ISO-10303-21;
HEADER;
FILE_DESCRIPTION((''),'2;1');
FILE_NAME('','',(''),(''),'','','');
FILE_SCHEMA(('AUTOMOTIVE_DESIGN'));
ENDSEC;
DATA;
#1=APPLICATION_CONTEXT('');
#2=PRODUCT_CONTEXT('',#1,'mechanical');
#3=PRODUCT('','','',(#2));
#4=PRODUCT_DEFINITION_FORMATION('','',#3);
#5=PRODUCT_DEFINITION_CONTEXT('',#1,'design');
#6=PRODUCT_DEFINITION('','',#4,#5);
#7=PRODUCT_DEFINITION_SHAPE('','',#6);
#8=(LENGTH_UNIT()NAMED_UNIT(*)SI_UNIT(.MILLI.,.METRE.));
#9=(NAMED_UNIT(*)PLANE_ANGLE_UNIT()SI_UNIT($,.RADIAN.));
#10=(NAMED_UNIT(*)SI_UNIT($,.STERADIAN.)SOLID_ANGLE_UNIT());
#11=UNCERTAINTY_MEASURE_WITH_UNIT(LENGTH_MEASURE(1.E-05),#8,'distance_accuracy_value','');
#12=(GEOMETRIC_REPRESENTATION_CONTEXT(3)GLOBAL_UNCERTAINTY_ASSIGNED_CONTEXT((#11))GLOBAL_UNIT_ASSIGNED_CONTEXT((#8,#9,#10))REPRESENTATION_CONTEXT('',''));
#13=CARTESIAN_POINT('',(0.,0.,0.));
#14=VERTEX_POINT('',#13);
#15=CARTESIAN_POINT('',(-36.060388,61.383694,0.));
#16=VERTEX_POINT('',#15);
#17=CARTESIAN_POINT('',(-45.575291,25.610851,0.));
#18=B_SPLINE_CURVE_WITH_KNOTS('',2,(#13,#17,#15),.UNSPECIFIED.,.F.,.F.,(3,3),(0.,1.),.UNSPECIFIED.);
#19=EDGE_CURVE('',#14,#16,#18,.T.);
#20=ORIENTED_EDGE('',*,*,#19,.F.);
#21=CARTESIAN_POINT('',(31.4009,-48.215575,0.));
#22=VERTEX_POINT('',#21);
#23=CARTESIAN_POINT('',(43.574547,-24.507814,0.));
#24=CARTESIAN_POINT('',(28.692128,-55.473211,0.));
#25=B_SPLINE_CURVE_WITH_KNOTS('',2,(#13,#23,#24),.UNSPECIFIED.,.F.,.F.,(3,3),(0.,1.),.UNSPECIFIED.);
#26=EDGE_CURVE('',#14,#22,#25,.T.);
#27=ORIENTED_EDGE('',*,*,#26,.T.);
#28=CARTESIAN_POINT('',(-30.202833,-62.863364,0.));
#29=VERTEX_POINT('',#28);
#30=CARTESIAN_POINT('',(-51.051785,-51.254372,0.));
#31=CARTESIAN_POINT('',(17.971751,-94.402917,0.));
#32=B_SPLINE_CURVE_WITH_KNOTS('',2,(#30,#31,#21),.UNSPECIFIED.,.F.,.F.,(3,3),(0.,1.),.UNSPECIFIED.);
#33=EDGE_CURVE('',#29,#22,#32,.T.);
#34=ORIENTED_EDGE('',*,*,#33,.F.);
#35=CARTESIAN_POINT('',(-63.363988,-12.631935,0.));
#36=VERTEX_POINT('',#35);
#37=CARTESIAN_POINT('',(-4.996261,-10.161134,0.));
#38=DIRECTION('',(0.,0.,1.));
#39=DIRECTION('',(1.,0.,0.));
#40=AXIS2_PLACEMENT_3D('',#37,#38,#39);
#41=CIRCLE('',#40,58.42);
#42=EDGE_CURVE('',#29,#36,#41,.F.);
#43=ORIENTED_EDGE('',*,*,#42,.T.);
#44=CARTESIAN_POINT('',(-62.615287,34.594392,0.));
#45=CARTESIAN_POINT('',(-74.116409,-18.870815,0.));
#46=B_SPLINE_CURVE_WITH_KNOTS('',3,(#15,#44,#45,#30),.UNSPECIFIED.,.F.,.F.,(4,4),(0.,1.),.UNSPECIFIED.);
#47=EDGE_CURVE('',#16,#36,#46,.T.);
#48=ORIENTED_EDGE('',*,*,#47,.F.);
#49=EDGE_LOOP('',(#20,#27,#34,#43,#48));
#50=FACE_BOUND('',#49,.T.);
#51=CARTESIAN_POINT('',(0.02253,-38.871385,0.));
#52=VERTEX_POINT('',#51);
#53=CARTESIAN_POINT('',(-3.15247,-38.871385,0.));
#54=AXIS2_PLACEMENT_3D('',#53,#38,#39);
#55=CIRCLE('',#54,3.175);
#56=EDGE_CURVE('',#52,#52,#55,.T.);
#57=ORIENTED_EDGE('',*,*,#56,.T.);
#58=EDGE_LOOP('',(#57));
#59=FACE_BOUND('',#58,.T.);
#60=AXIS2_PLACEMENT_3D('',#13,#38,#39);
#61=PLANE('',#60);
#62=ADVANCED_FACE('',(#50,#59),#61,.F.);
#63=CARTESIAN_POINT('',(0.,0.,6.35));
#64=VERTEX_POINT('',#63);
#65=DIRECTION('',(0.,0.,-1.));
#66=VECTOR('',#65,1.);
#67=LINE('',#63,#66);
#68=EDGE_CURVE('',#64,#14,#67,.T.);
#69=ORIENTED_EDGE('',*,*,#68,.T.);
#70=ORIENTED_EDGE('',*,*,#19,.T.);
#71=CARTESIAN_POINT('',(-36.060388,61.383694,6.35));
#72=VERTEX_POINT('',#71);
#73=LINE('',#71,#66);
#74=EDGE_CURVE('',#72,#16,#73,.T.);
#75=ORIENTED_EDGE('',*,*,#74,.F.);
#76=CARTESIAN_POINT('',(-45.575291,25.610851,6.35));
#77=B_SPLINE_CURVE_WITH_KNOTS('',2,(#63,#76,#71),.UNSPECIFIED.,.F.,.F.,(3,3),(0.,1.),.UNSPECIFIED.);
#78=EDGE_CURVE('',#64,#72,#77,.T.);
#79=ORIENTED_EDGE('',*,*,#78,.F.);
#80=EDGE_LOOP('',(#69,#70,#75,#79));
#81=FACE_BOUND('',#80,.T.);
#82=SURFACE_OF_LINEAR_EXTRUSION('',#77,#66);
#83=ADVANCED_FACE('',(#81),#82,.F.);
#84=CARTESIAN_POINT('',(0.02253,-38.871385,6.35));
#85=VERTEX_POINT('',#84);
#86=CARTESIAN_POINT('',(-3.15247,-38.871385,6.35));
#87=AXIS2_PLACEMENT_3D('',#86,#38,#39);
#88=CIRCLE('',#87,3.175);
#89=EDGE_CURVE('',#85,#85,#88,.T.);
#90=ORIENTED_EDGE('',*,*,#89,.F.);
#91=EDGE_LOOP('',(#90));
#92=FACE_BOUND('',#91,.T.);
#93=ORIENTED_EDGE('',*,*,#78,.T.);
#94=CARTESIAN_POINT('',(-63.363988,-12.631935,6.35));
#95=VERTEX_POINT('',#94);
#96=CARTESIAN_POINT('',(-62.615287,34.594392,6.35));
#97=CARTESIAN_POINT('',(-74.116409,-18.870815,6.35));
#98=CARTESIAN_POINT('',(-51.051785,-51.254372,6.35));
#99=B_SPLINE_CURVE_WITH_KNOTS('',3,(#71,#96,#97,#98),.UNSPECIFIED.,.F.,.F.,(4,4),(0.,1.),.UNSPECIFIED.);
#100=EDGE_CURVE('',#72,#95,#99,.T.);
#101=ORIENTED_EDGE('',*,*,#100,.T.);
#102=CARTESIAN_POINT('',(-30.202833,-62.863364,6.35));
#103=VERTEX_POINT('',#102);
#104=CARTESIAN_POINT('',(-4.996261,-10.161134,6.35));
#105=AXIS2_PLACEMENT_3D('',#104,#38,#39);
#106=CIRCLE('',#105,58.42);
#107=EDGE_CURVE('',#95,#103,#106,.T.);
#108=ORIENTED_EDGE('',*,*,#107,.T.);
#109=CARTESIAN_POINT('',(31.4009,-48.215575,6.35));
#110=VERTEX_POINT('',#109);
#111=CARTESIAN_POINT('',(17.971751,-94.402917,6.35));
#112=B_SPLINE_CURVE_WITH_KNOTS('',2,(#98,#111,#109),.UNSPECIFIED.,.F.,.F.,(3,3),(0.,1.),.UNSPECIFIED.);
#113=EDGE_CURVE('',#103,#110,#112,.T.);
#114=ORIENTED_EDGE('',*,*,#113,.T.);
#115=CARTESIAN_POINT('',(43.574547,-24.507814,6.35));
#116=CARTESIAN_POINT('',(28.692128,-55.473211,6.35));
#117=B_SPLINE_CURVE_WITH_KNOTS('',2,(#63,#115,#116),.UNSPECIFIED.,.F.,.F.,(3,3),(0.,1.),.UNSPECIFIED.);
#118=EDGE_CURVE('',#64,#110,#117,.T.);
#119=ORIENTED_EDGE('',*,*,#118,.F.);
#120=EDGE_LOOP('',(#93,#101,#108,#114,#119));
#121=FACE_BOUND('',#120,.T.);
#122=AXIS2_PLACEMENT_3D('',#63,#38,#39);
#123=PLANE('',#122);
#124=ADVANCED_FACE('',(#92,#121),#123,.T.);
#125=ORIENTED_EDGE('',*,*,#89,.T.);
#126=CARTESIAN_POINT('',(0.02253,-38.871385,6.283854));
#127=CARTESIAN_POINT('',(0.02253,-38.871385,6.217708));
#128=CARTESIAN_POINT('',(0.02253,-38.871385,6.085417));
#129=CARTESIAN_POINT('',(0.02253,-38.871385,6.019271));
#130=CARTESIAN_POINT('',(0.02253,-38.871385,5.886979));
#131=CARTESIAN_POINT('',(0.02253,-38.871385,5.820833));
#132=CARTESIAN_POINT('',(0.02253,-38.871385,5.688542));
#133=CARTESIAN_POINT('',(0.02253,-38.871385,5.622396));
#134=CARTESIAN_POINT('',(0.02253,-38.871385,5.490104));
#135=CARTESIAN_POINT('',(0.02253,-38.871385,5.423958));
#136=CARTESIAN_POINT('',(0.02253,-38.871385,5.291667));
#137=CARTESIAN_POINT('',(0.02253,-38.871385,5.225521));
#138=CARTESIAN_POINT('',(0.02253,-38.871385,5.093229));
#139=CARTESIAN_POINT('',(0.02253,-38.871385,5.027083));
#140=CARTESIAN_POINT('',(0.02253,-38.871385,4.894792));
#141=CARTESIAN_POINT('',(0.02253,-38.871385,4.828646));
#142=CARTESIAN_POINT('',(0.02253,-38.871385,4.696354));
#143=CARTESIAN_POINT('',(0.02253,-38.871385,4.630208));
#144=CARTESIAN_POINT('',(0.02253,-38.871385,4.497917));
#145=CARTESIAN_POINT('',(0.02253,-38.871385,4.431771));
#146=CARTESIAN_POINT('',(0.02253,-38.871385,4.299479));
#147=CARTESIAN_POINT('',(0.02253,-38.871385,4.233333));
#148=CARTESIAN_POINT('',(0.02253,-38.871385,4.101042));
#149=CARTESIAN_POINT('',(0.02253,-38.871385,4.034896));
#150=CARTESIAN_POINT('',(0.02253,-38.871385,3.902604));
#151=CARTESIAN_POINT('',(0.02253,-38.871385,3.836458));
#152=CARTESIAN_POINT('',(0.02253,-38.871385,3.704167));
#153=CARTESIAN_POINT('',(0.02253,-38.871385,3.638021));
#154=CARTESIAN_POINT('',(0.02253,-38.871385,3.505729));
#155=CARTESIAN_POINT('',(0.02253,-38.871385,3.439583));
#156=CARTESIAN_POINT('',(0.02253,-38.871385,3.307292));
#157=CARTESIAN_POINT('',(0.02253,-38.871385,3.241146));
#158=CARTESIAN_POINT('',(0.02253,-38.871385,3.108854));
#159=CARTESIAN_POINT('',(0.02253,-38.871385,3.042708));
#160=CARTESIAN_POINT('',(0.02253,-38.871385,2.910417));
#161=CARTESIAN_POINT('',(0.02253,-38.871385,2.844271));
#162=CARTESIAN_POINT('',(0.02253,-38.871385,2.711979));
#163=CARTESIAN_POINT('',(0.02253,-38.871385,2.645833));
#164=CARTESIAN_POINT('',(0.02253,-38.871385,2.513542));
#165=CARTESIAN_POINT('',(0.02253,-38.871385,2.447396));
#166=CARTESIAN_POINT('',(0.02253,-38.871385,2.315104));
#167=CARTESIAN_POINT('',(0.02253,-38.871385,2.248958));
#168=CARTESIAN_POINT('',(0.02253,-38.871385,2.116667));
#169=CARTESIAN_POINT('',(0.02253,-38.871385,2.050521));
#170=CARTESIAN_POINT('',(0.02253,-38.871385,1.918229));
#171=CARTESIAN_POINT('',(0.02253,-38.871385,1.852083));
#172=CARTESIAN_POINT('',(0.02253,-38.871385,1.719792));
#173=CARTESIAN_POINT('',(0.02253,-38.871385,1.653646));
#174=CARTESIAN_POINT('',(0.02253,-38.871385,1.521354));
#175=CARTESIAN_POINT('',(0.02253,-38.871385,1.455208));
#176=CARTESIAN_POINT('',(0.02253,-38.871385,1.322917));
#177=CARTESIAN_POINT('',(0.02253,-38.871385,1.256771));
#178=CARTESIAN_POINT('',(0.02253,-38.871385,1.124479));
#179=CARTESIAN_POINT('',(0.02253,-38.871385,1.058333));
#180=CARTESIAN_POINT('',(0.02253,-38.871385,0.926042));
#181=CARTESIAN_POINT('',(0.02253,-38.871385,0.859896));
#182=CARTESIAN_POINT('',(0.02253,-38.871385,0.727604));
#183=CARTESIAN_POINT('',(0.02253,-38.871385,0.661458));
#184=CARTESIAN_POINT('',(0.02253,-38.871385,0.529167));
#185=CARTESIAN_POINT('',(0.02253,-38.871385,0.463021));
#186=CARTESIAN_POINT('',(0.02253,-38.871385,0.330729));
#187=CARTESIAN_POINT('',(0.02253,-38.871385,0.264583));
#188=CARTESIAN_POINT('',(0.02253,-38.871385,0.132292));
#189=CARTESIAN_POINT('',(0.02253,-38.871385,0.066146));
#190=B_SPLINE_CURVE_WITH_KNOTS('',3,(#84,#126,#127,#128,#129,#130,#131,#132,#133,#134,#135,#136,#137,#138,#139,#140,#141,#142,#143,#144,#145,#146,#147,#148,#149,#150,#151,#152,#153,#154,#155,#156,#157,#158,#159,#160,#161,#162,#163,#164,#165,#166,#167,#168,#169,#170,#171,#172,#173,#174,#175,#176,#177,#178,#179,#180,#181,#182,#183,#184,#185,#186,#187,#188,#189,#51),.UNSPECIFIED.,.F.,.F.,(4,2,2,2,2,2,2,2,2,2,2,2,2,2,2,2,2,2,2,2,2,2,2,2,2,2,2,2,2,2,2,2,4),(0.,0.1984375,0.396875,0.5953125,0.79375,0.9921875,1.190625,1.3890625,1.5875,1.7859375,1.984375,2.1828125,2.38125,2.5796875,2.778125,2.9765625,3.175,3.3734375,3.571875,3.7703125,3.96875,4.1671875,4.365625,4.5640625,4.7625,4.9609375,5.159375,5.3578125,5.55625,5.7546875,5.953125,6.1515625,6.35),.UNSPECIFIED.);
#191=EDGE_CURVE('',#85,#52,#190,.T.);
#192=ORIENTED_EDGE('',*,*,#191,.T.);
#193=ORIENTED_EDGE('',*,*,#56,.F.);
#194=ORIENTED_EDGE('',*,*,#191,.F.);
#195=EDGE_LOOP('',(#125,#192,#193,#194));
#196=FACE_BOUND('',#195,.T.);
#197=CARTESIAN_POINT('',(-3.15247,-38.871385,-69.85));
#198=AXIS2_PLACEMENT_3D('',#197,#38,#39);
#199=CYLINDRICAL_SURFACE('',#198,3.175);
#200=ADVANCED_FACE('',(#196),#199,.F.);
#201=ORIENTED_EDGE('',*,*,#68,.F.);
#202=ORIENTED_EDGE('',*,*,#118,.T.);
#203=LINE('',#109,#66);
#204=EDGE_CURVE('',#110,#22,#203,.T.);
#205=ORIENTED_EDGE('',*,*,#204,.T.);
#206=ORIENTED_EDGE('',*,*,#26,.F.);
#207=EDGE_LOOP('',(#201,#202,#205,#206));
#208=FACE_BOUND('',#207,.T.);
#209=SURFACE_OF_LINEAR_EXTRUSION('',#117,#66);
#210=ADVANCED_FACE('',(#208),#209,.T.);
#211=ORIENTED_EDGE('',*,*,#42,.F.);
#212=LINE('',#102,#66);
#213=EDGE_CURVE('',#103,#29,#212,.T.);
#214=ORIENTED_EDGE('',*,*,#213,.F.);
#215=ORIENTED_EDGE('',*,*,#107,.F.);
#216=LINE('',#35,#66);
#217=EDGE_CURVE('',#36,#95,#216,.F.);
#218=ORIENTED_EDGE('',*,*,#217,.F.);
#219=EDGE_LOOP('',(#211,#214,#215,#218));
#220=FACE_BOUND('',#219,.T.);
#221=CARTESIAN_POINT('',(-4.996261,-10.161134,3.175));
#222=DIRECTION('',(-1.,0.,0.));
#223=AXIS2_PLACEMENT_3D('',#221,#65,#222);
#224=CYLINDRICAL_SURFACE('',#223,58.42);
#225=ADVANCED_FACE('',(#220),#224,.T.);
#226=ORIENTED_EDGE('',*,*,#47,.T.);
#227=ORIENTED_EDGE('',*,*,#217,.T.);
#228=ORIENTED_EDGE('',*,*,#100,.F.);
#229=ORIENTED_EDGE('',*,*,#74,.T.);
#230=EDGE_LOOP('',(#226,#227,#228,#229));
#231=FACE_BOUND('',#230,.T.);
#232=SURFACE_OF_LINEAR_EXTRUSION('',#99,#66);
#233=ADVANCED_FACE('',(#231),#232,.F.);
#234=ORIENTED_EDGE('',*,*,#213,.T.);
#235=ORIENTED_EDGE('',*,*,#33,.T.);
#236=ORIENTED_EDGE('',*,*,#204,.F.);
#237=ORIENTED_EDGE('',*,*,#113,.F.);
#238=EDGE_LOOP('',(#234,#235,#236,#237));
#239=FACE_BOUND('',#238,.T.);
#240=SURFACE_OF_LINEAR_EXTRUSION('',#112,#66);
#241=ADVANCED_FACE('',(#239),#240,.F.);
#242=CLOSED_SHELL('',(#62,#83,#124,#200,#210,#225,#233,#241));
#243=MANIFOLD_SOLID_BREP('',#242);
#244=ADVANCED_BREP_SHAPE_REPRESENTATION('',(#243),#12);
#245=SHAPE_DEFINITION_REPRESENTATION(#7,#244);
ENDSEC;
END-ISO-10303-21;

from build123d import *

# Parameters (mm, degrees)
BOSS_EXTRUDE1_DEPTH = 6.35
SKETCH2_R           = 3.175
CUT_EXTRUDE1_DEPTH  = 76.2
FILLET1_R           = 58.42


with BuildPart() as part:
    # Sketch1 → Boss-Extrude1 (new body)
    with BuildSketch(Plane.XY):
        with BuildLine():
            add(Edge.make_bspline(
                [(0, 0), (38.404098046, -21.59977719), (31.400899659, -48.21557496)],
                knots=[0, 0, 0, 0.881342447, 0.881342447, 0.881342447], degree=2))
            add(Edge.make_bspline(
                [(0, 0), (-45.575290821, 25.610850897), (-36.060387995, 61.383694171)],
                knots=[0, 0, 0, 1, 1, 1], degree=2))
            add(Edge.make_bspline(
                [(-36.060387995, 61.383694171), (-62.615286542, 34.594392179), (-74.116408577, -18.870814993), (-51.051785251, -51.254371701)],
                knots=[0, 0, 0, 0, 1, 1, 1, 1], degree=3))
            add(Edge.make_bspline(
                [(-51.051785251, -51.254371701), (12.058894693, -90.706625614), (28.692128455, -55.473211038)],
                knots=[0, 0, 0, 0.914335656, 0.914335656, 0.914335656], degree=2))
            add(Edge.make_bspline(
                [(28.692128455, -55.473211038), (30.250500418, -52.172183336), (31.400899659, -48.21557496)],
                knots=[0.914335656, 0.914335656, 0.914335656, 1, 1, 1], degree=2))
        make_face()
    extrude(amount=BOSS_EXTRUDE1_DEPTH)

    # Sketch2 → Cut-Extrude1 (cut)
    with BuildSketch(Plane.XY.offset(6.35)):
        with Locations((-3.152469771, -38.871385351)):
            Circle(SKETCH2_R)
    extrude(amount=-CUT_EXTRUDE1_DEPTH, mode=Mode.SUBTRACT)

    # Fillet1
    fillet1_edges = [part.edges().sort_by_distance(p)[0] for p in [
        (-51.051785251, -51.254371701, 3.175),
    ]]
    fillet(fillet1_edges, radius=FILLET1_R)


solid = part.part
